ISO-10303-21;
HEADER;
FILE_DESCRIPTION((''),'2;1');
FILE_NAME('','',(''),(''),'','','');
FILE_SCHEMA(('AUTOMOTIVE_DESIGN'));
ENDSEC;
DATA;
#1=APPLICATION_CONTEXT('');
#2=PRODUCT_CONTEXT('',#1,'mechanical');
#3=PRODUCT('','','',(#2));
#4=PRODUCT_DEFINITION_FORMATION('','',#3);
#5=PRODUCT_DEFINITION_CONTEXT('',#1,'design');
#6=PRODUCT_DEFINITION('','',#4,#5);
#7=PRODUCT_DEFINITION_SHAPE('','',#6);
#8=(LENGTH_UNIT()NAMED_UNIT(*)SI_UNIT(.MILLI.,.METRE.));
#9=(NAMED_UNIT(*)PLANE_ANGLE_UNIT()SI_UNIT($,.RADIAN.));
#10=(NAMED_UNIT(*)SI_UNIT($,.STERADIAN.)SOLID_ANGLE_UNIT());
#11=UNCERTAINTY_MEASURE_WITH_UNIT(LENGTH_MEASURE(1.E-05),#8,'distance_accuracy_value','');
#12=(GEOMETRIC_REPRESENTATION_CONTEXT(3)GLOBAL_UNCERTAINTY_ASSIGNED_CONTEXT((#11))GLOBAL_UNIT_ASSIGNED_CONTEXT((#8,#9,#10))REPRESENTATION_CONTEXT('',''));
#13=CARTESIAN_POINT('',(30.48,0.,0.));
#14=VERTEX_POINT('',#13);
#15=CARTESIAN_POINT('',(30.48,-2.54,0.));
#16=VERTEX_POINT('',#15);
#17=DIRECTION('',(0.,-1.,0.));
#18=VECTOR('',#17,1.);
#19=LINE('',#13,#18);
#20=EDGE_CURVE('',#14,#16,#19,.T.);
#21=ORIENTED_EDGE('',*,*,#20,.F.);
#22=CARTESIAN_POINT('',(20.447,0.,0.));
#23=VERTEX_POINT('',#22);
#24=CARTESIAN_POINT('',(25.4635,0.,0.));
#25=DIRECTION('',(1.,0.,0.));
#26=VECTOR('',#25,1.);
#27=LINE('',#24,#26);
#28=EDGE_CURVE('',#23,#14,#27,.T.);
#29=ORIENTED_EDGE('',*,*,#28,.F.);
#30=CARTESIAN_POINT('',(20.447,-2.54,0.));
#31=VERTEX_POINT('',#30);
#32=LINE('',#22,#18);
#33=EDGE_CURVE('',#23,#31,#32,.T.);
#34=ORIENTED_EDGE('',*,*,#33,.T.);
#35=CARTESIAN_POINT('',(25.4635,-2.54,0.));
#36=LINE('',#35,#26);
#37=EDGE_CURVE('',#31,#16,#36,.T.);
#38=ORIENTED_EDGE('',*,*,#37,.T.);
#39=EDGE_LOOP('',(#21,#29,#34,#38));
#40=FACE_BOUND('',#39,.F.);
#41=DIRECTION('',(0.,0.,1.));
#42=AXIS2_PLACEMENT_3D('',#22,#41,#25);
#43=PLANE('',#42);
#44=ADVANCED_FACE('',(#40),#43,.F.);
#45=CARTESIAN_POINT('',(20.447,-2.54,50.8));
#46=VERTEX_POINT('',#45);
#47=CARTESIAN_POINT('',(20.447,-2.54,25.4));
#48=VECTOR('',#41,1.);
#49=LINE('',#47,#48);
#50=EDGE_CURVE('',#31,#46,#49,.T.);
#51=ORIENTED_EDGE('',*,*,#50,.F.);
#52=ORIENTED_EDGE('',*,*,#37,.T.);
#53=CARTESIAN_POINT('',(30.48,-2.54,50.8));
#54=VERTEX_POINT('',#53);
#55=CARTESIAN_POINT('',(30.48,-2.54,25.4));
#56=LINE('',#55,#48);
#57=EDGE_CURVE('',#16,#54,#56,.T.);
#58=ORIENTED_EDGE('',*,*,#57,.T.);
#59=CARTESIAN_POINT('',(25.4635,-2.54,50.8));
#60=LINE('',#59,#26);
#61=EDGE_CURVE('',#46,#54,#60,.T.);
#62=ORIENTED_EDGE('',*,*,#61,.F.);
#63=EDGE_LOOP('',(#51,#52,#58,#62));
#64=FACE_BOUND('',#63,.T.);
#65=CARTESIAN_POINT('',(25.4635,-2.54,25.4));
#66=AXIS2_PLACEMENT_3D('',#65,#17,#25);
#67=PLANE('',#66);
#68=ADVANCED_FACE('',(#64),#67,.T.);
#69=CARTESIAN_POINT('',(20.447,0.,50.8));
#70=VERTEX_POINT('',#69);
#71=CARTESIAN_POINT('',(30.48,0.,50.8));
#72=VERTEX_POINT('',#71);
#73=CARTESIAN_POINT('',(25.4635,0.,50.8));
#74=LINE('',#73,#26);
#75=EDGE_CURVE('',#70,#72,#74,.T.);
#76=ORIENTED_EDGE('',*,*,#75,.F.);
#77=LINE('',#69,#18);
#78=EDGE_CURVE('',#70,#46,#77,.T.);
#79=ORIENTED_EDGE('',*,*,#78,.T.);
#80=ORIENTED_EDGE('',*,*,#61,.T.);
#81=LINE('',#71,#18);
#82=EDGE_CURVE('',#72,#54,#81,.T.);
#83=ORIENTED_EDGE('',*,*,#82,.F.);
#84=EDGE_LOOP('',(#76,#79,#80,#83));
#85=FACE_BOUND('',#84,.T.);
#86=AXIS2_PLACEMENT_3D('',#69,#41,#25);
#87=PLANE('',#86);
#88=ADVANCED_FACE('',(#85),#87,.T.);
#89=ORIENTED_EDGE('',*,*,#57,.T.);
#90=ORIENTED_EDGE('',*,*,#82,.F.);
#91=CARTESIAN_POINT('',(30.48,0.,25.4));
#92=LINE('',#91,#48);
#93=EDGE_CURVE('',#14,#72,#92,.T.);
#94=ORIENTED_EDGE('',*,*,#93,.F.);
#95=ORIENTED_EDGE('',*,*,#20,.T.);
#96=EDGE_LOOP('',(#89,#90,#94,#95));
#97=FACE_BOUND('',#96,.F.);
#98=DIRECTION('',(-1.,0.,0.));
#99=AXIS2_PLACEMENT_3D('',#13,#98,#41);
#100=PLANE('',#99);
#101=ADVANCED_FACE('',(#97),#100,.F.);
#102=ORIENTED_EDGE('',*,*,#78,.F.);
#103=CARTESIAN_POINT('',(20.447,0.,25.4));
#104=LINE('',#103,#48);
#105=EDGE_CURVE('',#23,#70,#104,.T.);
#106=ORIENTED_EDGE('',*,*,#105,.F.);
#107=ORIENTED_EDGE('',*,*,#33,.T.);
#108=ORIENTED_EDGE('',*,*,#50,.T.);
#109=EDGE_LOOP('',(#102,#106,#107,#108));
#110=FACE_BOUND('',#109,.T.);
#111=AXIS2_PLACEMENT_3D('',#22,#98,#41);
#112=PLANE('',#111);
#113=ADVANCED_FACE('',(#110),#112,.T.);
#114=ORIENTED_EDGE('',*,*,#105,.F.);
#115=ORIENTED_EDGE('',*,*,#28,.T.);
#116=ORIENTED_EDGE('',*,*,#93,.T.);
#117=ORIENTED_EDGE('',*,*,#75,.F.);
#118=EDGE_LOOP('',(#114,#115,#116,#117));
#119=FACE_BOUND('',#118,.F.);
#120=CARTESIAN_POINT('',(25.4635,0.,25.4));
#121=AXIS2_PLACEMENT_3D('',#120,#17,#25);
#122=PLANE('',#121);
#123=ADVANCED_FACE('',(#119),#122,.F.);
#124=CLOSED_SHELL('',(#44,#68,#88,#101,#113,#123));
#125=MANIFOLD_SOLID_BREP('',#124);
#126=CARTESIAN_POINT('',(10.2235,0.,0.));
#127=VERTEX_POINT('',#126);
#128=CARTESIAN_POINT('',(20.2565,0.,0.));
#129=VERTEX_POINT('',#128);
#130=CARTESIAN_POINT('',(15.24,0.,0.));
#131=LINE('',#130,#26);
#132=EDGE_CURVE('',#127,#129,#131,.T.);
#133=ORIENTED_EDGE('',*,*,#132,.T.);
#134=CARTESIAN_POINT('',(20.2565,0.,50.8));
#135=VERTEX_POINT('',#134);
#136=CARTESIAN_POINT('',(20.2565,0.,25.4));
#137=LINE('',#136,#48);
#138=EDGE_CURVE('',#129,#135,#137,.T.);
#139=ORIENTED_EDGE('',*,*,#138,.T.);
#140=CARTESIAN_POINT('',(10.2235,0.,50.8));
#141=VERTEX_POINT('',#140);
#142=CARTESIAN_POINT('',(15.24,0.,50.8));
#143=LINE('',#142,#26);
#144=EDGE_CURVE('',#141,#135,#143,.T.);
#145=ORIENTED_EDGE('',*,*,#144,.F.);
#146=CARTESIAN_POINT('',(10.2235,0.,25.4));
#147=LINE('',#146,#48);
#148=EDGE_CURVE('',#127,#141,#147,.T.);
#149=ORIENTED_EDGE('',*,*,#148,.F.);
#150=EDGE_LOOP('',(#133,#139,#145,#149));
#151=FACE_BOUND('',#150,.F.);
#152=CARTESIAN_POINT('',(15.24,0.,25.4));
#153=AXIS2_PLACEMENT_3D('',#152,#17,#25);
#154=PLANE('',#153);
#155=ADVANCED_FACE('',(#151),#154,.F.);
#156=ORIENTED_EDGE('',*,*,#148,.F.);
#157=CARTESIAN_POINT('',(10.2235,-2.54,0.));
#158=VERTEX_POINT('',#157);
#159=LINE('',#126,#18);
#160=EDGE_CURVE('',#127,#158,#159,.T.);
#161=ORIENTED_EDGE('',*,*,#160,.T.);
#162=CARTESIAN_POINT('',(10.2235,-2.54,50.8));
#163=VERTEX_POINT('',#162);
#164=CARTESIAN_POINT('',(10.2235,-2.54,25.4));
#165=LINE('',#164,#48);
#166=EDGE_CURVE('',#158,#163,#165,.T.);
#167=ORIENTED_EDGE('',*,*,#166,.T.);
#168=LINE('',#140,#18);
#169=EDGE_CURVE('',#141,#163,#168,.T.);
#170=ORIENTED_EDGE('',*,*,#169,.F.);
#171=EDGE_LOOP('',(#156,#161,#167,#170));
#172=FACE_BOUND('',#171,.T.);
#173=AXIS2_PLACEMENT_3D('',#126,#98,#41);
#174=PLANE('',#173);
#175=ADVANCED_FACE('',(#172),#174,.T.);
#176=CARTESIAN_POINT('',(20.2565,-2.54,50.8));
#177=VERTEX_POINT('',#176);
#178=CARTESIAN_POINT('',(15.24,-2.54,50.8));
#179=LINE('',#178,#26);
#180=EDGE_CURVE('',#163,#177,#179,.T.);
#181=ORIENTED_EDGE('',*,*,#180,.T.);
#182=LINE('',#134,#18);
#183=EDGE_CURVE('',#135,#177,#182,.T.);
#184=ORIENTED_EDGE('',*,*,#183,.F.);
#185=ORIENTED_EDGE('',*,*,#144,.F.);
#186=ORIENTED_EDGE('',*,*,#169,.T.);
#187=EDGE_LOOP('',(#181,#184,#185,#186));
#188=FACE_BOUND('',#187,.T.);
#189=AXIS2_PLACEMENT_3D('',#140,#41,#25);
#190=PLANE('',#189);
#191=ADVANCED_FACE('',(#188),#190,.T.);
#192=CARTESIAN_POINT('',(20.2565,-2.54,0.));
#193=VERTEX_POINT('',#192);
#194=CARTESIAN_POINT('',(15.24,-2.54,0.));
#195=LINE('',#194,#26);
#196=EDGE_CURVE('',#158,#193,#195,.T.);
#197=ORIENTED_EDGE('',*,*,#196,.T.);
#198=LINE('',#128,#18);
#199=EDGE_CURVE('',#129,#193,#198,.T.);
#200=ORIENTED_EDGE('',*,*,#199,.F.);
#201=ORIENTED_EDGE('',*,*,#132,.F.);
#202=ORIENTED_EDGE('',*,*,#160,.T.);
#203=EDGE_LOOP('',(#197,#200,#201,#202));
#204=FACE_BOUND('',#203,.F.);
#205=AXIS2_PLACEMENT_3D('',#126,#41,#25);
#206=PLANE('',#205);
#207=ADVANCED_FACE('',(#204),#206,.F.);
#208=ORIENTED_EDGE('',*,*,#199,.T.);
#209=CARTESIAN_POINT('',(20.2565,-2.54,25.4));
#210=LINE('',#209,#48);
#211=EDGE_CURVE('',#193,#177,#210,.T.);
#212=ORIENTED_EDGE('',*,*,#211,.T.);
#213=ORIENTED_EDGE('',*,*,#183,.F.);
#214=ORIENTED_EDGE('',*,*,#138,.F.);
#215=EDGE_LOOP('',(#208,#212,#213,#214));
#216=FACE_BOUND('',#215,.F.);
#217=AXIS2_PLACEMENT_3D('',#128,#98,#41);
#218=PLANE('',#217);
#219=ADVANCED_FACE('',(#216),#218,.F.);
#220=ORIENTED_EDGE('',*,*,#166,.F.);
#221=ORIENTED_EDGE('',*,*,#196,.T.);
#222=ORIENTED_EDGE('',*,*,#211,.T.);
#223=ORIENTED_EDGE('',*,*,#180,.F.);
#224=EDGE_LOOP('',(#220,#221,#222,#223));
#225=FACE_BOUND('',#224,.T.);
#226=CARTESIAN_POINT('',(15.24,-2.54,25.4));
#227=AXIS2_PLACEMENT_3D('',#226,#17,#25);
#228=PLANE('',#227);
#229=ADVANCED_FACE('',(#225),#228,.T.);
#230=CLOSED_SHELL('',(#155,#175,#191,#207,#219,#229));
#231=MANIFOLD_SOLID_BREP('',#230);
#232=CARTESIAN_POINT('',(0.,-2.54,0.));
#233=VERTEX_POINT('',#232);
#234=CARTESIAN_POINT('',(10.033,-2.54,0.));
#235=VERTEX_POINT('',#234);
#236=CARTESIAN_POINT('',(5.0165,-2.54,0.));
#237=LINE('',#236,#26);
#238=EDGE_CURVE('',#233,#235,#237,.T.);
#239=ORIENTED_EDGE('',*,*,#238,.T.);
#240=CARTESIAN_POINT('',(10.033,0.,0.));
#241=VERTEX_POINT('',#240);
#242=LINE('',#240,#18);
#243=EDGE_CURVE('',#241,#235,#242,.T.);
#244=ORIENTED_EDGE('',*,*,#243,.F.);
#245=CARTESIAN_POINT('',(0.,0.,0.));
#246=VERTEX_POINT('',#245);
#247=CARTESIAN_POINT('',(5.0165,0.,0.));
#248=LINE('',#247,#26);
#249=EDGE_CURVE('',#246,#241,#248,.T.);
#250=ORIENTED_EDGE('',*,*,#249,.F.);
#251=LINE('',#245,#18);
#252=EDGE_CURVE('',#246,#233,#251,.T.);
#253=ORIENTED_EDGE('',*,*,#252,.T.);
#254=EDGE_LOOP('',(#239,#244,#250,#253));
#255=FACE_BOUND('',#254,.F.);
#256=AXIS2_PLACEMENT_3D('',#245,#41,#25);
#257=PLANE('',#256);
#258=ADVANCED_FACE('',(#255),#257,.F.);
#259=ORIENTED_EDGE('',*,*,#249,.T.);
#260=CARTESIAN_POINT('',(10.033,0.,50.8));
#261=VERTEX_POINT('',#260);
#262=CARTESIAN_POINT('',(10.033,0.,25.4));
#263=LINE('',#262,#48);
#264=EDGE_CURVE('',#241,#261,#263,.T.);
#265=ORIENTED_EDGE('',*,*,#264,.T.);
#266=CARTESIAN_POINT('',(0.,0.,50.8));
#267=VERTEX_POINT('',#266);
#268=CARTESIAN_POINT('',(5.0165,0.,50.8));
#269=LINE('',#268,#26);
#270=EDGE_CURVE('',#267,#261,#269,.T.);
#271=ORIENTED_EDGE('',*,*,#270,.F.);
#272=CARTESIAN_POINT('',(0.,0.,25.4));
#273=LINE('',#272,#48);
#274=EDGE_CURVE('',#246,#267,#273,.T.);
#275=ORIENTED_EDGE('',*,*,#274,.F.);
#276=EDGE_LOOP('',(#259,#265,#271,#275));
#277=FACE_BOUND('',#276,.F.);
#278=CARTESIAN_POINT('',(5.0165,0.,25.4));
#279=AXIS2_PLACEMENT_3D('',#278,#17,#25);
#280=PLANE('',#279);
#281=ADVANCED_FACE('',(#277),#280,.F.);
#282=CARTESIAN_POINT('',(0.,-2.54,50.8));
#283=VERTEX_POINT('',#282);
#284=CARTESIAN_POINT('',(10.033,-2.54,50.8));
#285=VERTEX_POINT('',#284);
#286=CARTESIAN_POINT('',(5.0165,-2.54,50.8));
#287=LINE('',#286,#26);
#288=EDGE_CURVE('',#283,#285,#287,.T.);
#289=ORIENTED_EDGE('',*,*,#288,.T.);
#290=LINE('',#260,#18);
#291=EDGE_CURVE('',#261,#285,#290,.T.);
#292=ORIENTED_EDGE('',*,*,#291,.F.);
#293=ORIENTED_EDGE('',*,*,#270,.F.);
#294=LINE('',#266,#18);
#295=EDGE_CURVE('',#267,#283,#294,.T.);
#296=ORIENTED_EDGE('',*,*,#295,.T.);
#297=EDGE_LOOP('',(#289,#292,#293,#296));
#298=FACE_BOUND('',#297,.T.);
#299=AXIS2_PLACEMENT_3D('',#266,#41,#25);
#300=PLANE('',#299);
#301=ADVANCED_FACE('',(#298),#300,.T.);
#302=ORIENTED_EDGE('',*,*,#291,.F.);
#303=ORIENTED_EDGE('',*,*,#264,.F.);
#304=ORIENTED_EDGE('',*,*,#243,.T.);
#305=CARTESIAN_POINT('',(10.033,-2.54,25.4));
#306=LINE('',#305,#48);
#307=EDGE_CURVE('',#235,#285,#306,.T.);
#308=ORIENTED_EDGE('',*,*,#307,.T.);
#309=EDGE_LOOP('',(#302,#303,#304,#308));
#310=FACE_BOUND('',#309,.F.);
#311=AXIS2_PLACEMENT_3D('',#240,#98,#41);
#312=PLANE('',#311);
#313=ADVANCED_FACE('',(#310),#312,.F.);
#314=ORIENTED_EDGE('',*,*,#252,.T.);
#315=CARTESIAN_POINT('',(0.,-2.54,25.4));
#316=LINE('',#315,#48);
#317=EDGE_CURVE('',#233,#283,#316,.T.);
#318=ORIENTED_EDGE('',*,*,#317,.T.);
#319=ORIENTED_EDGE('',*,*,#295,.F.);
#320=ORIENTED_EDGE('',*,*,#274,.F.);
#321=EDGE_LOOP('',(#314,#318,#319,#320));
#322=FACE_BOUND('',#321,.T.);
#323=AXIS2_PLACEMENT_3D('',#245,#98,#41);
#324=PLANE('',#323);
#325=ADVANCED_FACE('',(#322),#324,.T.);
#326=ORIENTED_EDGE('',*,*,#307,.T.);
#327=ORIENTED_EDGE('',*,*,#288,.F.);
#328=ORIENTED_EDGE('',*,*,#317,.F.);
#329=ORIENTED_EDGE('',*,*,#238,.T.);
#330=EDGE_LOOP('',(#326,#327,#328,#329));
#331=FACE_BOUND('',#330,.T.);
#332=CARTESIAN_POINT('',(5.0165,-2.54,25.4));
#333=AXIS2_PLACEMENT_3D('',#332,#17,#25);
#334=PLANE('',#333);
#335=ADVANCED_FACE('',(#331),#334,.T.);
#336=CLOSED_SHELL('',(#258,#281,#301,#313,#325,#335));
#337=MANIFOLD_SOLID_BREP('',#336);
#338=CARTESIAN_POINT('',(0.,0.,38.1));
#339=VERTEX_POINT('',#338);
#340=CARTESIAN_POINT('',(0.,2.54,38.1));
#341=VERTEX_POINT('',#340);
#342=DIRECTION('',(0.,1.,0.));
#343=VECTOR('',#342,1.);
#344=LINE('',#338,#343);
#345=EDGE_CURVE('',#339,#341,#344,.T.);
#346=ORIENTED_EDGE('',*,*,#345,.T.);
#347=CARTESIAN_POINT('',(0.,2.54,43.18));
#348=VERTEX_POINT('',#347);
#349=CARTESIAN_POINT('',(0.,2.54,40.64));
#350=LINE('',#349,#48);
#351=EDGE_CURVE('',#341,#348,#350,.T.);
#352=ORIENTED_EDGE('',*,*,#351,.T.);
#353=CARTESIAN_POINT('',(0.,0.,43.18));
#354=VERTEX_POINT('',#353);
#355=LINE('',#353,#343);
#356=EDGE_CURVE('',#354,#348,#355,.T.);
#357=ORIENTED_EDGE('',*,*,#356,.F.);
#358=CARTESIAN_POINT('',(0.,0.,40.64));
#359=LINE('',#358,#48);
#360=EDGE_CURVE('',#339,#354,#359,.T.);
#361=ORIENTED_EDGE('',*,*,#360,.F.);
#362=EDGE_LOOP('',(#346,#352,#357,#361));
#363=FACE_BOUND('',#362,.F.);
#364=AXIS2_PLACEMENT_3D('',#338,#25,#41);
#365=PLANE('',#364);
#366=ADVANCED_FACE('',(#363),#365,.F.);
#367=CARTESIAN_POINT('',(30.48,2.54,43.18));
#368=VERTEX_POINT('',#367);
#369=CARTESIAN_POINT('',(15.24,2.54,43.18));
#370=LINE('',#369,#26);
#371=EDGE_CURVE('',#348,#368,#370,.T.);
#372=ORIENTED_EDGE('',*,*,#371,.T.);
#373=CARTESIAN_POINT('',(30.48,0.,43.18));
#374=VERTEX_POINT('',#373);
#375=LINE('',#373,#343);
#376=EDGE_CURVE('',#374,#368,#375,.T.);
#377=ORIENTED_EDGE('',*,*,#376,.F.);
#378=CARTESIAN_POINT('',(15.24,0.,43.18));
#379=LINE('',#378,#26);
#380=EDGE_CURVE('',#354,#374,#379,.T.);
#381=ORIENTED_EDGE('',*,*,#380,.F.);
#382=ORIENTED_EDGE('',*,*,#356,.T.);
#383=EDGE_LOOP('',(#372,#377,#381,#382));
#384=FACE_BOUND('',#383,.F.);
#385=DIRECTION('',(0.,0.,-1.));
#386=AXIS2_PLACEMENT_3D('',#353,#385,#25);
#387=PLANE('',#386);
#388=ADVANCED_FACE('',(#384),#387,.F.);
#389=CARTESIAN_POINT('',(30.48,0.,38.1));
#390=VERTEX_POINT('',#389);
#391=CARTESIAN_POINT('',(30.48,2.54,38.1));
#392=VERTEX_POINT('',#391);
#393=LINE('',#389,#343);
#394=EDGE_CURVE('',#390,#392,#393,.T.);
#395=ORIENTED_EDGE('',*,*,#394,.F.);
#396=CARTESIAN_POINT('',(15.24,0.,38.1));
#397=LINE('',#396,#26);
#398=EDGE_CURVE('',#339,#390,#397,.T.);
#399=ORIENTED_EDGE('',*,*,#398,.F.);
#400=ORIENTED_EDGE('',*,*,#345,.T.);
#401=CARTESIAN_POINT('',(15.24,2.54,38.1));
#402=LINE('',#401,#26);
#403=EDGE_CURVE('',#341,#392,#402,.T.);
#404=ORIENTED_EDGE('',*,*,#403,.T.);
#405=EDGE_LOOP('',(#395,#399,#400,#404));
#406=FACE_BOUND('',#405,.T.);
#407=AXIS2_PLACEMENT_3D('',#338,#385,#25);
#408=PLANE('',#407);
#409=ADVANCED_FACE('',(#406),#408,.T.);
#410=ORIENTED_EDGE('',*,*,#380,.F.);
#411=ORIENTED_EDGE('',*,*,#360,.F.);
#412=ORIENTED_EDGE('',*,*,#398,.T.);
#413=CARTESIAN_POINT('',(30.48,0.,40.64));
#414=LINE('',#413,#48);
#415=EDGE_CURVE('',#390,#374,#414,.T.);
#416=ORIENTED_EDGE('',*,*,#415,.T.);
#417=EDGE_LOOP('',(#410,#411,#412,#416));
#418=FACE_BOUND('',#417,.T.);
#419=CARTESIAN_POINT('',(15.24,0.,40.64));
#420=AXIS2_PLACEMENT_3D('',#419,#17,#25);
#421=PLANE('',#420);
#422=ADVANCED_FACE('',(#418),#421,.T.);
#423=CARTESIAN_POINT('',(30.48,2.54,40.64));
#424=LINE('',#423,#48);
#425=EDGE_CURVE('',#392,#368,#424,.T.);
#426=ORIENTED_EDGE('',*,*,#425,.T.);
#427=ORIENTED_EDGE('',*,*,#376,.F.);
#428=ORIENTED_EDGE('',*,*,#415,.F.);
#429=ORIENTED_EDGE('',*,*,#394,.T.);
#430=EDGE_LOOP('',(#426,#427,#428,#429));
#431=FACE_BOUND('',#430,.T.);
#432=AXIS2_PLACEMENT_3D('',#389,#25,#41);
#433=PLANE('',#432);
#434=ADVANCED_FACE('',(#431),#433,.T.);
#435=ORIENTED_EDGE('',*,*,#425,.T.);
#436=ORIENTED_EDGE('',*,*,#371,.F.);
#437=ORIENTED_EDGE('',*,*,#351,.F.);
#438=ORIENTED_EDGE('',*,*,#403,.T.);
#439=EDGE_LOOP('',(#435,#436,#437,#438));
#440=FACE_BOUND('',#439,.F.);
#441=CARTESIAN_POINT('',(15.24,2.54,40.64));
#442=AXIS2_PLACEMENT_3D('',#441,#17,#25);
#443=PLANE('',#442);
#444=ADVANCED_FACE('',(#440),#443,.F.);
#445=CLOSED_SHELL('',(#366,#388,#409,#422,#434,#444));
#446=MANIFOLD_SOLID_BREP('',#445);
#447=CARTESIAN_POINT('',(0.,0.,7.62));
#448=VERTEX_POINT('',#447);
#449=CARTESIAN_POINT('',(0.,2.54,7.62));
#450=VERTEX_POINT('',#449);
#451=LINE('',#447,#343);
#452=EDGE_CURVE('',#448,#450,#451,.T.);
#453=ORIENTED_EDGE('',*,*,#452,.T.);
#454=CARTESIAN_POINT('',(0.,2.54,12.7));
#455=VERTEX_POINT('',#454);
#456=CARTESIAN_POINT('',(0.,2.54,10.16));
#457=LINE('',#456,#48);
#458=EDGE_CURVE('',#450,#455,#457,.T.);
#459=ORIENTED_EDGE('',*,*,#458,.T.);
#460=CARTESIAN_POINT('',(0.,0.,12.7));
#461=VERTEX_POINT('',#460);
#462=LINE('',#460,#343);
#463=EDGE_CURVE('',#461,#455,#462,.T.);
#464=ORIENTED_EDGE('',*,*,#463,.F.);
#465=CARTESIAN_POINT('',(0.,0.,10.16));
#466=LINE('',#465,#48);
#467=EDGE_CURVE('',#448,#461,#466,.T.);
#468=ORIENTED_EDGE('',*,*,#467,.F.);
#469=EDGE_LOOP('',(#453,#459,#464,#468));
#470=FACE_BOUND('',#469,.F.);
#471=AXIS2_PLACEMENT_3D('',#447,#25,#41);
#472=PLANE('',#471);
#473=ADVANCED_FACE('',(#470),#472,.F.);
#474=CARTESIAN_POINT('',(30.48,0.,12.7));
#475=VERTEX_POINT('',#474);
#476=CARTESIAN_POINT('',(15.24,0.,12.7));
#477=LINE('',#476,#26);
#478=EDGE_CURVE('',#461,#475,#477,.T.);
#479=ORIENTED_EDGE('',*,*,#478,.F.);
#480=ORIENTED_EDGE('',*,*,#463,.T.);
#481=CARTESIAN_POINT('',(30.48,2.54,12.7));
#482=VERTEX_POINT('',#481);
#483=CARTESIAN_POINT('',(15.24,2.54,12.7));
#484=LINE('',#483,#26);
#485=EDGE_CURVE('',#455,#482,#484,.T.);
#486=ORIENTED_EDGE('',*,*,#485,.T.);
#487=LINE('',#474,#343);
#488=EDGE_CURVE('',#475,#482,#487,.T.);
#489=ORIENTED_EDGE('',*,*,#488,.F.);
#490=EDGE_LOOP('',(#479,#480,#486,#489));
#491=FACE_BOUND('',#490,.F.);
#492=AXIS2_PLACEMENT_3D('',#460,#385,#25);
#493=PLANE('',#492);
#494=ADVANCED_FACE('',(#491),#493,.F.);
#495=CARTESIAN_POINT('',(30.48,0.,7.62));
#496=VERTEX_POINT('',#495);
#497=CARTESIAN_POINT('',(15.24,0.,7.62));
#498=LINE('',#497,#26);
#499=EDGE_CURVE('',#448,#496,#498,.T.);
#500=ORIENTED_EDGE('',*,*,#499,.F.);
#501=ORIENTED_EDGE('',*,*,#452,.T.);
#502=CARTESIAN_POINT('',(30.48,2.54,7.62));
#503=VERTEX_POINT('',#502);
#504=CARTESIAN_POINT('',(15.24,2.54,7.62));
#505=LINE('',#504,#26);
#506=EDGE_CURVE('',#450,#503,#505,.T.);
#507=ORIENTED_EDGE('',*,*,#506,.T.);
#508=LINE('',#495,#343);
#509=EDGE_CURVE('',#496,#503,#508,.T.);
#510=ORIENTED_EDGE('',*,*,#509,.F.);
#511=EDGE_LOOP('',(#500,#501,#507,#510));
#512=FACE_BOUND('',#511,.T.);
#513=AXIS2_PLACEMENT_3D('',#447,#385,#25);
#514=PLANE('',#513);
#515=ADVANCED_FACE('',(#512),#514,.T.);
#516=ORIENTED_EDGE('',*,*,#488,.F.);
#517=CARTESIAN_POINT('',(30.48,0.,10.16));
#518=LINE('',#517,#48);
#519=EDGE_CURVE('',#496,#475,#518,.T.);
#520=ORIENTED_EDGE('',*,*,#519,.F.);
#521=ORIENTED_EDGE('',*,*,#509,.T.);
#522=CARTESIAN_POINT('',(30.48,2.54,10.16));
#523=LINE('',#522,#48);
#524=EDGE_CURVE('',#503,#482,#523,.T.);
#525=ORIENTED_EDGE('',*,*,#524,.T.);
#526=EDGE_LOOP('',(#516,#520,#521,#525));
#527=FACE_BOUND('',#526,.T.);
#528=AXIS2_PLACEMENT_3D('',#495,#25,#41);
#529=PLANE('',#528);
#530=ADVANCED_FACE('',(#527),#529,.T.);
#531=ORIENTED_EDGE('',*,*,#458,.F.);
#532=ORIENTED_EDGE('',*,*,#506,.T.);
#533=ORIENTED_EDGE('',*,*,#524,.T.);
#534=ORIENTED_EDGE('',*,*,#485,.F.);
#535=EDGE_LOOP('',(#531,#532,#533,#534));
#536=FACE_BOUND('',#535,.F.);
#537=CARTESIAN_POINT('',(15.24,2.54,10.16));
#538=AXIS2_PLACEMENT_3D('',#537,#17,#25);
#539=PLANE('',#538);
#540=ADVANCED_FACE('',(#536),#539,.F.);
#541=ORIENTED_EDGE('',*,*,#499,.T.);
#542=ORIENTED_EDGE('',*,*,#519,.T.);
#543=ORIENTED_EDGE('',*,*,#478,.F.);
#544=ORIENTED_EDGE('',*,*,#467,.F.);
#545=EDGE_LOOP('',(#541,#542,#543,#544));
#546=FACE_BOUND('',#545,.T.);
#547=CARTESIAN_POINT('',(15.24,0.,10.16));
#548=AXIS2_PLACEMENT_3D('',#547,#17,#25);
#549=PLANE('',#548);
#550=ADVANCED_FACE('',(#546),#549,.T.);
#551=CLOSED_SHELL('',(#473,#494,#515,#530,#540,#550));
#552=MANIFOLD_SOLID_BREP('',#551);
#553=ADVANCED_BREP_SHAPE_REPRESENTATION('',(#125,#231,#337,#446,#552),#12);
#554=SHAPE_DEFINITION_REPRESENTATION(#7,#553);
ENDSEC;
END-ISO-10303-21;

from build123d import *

# Parameters (mm, degrees)
F0_W     = 10.033
F0_H     = 50.8
F1_DEPTH = 2.54
F2_W     = 30.48
F2_H     = 5.08
F3_DEPTH = 2.54


with BuildPart() as f1:
    # F0 (on Front) → F1 (new body)
    with BuildSketch(Plane.XZ):
        with Locations((5.0165, 25.4)):
            Rectangle(F0_W, F0_H)
        with Locations((25.4635, 25.4)):
            Rectangle(F0_W, F0_H)
        with Locations((15.24, 25.4)):
            Rectangle(F0_W, F0_H)
    extrude(amount=F1_DEPTH)


with BuildPart() as f3:
    # F2 (on Front) → F3 (new body)
    with BuildSketch(Plane.XZ):
        with Locations((15.24, 40.64)):
            Rectangle(F2_W, F2_H)
        with Locations((15.24, 10.16)):
            Rectangle(F2_W, F2_H)
    extrude(amount=-F3_DEPTH)


solid = Compound([f1.part, f3.part])
